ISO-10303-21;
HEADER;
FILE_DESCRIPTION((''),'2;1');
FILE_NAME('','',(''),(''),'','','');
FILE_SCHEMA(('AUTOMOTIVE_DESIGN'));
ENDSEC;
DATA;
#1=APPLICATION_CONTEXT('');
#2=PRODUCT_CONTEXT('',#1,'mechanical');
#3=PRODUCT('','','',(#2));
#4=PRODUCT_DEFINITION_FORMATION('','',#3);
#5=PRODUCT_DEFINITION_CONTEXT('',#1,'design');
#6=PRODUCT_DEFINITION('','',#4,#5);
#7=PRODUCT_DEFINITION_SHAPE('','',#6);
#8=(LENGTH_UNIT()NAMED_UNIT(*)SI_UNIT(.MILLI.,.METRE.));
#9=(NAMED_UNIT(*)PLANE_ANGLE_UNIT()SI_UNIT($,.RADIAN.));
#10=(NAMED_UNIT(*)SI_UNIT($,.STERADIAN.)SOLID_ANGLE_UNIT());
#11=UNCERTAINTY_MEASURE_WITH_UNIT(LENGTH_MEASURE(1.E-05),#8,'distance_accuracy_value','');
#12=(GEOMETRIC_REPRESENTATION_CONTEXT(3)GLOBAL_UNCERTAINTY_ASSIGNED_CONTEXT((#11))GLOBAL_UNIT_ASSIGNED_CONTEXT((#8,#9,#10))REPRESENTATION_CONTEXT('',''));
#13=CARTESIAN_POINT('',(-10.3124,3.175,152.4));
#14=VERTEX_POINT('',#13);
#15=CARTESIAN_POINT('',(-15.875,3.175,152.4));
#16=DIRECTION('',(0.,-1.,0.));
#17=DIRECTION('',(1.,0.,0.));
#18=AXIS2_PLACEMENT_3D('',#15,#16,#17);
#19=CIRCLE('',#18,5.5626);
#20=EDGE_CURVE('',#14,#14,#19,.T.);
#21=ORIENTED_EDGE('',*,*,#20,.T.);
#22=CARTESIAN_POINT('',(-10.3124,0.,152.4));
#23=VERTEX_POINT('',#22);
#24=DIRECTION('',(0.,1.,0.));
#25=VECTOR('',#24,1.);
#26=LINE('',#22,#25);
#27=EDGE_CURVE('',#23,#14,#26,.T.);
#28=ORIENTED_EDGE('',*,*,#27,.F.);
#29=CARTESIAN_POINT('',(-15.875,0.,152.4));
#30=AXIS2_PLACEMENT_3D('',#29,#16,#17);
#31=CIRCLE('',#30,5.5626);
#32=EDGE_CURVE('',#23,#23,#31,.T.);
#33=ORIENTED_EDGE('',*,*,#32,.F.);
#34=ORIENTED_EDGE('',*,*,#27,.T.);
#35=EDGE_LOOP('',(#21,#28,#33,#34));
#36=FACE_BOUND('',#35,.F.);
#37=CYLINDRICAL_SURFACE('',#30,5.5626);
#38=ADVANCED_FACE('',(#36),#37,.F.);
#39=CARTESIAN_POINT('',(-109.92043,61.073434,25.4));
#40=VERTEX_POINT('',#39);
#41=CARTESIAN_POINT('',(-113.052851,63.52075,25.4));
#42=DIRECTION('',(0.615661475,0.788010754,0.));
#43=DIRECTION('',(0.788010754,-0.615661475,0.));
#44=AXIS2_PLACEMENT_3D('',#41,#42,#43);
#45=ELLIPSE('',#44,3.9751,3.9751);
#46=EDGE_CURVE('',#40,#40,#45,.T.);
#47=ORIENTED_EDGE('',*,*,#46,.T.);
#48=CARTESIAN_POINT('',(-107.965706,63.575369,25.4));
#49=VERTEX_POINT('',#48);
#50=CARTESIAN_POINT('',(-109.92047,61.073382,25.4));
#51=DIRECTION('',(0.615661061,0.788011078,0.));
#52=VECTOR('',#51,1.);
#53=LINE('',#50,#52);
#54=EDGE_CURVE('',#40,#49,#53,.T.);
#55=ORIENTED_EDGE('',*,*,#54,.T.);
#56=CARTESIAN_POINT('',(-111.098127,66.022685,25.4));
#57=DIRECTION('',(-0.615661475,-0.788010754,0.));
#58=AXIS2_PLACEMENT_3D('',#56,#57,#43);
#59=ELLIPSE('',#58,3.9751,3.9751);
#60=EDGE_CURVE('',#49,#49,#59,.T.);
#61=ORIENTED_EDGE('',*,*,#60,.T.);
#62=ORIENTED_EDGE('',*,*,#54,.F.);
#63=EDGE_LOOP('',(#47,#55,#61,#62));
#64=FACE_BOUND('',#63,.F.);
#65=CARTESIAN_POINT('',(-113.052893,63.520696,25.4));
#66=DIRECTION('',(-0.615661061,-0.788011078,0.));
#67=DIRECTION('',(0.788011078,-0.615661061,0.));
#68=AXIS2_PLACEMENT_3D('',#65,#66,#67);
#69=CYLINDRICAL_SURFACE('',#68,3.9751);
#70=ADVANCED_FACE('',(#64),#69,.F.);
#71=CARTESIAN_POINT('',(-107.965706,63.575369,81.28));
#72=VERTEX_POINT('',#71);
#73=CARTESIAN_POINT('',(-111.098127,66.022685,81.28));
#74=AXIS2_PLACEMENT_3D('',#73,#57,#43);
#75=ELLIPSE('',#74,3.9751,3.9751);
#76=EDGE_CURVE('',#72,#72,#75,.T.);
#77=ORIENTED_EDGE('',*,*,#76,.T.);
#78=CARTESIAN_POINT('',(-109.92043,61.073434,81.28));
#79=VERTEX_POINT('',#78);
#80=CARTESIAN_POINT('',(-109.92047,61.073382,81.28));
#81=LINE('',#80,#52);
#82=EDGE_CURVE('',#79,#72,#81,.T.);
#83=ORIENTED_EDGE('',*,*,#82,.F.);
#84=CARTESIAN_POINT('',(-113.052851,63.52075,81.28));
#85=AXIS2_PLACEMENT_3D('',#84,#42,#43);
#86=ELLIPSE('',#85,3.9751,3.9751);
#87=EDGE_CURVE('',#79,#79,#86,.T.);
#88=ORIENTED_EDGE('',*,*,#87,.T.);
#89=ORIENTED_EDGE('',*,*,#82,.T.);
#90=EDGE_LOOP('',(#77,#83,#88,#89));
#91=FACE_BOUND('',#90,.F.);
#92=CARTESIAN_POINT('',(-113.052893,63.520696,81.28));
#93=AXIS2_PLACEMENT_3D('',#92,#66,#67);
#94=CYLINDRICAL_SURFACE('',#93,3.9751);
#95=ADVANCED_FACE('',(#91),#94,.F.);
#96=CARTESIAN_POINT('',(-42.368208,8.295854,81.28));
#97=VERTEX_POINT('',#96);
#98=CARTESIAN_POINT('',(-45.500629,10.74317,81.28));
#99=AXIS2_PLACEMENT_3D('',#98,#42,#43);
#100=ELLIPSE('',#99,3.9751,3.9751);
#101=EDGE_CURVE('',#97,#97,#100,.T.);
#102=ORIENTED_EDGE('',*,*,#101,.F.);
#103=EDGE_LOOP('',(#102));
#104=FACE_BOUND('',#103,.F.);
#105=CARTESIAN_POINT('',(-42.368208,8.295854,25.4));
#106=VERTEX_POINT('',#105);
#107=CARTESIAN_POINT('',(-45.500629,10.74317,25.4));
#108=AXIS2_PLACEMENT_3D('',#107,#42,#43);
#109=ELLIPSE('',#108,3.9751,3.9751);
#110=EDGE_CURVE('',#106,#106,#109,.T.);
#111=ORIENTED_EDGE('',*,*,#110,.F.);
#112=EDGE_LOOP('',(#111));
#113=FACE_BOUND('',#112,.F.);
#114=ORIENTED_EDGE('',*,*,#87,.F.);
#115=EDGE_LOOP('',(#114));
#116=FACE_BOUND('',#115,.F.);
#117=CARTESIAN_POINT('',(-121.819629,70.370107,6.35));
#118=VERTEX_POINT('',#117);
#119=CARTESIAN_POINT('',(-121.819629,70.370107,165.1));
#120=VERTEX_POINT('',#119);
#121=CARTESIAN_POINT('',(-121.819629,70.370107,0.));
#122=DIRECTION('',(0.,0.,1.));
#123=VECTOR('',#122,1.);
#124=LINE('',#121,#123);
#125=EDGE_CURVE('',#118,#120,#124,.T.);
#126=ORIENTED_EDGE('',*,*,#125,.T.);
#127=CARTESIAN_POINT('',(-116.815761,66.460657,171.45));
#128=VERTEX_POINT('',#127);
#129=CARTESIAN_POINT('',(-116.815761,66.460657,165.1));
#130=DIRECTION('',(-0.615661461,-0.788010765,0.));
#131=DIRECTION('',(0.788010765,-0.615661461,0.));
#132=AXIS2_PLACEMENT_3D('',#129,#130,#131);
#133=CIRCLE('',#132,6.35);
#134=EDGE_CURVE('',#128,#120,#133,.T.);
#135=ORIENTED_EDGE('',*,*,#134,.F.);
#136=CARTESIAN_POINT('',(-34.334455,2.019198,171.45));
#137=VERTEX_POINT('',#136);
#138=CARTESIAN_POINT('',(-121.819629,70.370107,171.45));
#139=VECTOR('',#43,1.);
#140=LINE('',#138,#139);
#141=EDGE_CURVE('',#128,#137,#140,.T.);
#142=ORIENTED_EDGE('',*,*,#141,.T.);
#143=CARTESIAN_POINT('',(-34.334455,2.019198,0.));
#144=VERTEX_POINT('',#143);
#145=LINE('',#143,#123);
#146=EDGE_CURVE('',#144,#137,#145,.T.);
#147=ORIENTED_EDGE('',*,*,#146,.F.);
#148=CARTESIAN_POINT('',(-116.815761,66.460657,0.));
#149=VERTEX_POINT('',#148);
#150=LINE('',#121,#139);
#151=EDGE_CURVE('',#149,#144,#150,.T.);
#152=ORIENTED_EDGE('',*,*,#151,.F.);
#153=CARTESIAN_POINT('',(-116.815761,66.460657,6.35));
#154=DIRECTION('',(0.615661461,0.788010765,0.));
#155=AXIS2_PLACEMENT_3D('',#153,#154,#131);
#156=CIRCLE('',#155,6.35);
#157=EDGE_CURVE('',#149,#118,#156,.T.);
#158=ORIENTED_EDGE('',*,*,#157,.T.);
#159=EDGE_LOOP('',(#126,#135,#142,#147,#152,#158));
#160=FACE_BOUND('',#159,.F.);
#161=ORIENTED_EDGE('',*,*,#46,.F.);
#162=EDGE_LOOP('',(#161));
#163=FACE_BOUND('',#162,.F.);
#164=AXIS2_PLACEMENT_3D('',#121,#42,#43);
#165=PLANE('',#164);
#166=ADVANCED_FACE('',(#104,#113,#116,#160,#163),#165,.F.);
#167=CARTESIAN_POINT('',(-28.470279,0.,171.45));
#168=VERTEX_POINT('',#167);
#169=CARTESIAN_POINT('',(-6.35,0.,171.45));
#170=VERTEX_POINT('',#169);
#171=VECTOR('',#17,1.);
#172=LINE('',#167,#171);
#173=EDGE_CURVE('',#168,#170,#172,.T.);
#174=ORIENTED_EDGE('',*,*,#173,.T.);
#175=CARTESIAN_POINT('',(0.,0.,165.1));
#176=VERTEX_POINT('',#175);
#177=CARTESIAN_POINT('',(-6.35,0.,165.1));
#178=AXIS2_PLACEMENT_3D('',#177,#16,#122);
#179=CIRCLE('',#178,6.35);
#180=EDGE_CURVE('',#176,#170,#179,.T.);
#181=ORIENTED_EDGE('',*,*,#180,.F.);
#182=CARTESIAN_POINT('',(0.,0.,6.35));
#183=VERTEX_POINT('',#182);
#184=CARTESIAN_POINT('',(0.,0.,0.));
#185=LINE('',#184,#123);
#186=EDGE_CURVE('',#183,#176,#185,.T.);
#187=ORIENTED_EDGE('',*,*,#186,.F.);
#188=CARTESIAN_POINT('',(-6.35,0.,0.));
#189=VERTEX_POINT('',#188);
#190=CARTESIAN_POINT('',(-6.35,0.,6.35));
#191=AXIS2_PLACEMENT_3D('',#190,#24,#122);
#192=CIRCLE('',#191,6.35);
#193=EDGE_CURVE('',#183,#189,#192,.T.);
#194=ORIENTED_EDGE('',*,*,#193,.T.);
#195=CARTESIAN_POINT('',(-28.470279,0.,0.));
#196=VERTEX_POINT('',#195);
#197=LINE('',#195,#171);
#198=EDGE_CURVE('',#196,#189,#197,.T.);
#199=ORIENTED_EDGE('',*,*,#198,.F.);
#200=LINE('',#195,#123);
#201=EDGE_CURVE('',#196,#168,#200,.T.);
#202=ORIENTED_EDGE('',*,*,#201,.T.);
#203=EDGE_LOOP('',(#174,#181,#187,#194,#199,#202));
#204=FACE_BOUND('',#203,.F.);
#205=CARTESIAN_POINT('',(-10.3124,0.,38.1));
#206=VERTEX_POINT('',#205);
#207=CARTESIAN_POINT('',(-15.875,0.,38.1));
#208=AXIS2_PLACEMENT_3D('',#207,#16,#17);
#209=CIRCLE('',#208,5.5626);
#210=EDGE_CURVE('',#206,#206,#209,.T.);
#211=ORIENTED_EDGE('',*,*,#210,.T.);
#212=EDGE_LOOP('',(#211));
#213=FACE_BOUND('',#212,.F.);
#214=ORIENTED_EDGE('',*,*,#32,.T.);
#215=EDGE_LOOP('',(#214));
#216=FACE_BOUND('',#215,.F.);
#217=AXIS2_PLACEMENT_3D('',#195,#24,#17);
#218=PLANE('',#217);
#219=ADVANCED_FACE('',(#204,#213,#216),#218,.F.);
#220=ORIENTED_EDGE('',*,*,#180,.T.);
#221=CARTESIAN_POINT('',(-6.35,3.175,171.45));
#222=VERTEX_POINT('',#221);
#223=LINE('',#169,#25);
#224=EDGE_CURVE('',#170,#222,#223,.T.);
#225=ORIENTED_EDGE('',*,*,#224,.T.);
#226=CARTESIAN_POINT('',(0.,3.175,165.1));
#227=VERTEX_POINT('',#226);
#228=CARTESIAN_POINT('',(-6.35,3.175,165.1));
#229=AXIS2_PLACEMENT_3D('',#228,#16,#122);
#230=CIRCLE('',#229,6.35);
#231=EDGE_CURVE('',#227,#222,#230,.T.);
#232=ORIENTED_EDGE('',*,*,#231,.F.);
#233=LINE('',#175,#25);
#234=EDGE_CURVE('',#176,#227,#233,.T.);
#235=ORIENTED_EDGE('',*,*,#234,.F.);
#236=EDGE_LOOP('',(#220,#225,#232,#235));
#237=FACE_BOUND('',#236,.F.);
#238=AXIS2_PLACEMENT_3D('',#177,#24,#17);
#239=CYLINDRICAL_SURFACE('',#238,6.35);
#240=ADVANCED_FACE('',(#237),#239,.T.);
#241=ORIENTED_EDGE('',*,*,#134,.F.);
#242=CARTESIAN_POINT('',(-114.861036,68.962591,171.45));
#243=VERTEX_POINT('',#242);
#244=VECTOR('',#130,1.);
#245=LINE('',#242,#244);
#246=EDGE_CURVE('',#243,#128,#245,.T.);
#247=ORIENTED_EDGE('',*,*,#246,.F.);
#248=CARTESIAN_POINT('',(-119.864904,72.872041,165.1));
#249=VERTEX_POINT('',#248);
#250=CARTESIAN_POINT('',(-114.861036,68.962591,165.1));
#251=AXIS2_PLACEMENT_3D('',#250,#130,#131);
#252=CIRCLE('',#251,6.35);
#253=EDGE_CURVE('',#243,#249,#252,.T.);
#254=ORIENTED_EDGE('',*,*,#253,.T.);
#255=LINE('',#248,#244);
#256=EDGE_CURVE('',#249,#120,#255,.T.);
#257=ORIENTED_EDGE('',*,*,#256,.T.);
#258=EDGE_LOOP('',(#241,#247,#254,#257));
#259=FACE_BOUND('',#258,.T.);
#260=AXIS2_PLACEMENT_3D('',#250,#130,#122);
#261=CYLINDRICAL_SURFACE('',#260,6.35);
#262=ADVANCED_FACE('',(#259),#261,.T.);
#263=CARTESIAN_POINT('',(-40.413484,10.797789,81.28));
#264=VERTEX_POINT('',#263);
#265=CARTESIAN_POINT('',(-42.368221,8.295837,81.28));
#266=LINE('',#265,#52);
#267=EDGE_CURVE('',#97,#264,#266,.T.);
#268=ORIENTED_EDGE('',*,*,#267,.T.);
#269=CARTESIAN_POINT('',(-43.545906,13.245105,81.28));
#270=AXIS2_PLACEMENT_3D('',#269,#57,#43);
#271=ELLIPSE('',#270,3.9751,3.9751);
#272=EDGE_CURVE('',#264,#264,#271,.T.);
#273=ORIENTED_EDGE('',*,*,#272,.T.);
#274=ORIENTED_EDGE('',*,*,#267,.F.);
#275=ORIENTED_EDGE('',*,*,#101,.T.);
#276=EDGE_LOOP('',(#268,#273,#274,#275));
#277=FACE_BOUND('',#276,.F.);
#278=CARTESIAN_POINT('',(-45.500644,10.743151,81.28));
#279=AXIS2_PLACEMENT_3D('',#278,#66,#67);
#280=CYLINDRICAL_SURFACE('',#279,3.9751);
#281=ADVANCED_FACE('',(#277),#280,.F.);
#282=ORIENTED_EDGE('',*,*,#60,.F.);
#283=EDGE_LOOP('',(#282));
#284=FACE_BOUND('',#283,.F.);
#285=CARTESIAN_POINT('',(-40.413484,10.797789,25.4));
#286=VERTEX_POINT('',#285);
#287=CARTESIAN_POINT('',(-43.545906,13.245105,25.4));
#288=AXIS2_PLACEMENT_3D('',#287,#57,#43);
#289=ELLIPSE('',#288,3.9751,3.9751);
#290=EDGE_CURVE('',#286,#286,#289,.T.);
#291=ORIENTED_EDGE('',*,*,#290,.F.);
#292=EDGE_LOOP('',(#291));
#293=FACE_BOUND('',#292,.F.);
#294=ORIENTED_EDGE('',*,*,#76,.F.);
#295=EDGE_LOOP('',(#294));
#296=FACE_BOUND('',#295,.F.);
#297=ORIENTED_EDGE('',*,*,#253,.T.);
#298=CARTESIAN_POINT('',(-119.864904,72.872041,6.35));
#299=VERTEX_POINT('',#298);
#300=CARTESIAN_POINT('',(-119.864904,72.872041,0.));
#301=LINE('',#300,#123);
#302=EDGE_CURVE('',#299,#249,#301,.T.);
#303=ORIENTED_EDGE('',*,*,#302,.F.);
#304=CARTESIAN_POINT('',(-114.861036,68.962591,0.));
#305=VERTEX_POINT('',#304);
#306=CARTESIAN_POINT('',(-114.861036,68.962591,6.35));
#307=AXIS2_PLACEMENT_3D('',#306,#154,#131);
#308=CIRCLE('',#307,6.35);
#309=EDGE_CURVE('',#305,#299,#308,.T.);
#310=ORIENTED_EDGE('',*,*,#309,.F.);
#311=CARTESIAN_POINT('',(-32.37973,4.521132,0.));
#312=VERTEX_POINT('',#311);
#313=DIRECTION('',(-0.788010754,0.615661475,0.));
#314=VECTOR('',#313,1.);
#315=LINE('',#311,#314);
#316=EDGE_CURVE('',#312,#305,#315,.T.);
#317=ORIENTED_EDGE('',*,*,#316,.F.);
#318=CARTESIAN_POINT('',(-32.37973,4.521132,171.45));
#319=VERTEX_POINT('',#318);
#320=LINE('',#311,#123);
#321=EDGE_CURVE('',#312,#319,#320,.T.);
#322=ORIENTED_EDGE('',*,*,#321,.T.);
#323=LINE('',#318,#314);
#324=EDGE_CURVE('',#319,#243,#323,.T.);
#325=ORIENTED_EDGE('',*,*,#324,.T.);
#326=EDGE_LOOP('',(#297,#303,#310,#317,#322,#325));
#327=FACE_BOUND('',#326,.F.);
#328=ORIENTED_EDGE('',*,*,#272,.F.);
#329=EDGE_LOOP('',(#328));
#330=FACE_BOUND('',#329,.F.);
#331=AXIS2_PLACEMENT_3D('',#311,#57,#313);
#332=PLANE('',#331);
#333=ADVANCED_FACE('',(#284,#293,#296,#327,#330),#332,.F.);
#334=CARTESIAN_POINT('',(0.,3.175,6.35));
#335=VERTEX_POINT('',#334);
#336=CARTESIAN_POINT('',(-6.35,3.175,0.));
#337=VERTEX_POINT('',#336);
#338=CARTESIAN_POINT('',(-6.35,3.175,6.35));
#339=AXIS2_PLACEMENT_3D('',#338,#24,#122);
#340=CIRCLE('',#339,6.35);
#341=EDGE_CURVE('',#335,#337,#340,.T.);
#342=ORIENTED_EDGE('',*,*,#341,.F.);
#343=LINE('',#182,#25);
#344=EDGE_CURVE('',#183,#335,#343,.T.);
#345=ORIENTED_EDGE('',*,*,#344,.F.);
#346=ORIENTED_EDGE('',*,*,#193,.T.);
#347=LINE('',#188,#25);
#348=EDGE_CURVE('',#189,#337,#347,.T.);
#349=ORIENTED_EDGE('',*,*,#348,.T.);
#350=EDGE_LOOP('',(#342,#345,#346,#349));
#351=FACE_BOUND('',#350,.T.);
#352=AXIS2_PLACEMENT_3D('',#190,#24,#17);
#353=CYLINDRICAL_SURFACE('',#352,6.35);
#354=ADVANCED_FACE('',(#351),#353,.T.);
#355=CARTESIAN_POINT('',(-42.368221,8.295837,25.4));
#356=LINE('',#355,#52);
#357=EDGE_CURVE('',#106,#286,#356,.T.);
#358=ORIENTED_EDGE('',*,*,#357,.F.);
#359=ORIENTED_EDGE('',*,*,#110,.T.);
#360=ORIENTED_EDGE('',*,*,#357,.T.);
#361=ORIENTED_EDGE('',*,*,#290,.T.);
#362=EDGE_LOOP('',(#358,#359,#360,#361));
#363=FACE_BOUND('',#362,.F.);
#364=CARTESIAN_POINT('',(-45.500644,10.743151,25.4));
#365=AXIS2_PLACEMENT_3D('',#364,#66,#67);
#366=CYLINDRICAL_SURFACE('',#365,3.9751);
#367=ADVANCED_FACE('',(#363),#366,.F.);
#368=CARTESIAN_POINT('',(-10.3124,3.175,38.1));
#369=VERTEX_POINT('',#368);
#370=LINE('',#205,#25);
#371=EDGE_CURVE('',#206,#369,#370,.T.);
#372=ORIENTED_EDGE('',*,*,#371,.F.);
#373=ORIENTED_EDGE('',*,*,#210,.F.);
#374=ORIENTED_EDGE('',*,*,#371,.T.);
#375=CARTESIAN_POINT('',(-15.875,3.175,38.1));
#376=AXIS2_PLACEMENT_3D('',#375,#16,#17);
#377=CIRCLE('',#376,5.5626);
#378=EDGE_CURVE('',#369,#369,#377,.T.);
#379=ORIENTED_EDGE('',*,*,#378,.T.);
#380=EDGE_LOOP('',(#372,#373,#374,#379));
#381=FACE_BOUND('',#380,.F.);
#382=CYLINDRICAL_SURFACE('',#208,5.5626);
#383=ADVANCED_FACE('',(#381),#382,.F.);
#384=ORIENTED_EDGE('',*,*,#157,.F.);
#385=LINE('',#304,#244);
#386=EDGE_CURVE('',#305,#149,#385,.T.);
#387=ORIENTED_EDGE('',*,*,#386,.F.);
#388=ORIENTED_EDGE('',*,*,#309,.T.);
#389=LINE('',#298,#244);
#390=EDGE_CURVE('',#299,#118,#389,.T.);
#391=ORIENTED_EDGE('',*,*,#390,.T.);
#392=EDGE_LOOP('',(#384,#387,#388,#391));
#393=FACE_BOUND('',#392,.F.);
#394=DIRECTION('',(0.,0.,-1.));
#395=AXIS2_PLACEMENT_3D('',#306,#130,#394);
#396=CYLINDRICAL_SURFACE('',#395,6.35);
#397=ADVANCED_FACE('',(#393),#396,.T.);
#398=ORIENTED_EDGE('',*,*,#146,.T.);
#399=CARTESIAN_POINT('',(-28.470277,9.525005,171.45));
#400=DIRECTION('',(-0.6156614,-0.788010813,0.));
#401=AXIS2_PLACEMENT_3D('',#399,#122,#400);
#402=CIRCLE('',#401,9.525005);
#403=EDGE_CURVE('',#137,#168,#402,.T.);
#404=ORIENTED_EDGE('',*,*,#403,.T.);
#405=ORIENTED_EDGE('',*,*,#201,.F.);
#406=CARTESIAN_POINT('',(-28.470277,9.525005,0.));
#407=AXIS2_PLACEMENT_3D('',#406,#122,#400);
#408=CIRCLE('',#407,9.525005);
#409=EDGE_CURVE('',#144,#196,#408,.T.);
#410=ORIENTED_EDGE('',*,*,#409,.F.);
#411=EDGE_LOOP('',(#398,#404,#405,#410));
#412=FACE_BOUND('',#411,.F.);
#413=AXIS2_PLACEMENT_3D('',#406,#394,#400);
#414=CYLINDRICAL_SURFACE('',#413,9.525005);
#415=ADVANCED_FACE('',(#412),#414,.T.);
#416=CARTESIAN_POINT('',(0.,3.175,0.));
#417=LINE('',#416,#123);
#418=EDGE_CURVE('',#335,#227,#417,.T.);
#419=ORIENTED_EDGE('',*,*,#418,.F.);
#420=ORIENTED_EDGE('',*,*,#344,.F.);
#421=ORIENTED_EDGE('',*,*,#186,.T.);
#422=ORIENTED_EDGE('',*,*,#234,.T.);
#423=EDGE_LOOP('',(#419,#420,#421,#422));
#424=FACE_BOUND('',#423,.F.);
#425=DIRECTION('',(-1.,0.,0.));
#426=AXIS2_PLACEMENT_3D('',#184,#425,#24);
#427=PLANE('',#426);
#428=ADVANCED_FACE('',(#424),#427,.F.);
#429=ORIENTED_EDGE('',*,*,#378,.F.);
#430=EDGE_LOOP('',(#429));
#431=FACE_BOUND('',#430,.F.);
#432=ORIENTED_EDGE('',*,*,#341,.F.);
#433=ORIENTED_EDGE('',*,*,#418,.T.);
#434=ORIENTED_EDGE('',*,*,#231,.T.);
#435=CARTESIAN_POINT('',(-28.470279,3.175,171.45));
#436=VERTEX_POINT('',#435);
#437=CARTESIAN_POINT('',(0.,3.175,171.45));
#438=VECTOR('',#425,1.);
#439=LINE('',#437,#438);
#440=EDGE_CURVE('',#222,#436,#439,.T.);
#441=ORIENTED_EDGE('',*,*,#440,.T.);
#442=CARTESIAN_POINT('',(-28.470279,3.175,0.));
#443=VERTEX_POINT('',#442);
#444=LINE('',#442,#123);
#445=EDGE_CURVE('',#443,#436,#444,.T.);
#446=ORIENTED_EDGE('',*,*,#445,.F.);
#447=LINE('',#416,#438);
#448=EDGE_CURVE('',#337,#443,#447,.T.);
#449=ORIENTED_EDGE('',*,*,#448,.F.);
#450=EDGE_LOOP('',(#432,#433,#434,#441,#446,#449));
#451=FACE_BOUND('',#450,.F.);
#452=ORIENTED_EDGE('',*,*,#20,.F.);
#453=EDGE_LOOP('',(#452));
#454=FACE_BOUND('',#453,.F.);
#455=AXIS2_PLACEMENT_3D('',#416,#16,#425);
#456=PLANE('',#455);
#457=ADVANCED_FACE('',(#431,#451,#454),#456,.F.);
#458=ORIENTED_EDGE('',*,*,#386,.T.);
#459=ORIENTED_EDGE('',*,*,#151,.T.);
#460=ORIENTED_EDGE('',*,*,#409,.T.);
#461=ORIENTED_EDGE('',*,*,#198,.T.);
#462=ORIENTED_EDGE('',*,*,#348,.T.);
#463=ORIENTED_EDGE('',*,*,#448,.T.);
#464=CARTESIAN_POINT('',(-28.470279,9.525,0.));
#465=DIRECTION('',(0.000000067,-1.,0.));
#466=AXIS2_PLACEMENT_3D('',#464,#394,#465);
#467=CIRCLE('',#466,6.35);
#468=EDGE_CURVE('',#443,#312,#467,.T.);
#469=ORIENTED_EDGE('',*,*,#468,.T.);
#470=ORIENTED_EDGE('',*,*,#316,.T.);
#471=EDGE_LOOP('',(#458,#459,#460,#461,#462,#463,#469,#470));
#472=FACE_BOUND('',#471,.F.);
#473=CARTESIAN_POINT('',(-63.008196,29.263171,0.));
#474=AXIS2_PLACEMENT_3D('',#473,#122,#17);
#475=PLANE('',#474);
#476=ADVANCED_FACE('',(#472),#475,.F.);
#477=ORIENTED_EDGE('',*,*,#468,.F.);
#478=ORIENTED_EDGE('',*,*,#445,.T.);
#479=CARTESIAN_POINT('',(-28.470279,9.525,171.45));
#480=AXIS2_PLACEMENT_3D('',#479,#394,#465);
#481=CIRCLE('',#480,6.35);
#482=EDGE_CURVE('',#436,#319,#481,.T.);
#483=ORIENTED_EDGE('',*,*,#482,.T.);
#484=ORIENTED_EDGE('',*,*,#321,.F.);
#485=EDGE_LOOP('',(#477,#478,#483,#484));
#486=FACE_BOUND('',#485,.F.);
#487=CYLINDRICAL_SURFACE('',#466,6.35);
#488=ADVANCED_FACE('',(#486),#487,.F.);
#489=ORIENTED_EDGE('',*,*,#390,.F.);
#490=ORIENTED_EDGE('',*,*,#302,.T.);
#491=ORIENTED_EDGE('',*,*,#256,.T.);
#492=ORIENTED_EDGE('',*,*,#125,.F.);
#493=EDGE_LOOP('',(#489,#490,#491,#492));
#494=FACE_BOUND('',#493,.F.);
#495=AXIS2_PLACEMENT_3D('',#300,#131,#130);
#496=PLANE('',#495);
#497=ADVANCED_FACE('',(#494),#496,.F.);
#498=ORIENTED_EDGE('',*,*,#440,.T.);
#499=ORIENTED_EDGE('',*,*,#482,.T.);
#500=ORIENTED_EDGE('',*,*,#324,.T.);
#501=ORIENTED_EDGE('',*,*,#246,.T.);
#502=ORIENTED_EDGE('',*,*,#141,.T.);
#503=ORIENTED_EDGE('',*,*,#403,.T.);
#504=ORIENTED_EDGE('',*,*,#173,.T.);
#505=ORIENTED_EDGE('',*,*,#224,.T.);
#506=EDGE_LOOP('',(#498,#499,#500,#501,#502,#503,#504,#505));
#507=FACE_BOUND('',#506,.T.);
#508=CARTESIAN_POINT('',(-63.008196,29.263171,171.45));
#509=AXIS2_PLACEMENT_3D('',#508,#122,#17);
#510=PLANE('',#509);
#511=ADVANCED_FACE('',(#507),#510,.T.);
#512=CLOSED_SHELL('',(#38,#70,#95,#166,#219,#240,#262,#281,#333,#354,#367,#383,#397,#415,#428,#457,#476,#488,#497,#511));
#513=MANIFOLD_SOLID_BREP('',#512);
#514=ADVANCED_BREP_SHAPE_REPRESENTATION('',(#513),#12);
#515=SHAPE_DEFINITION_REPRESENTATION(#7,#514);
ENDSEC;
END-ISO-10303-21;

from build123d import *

# Parameters (mm, degrees)
F1_DEPTH = 171.45
F2_R     = 5.5626
F3_DEPTH = 72.873041
F4_R     = 3.9751
F5_DEPTH = 76.972204
F6_R     = 6.35


with BuildPart() as f1:
    # F0 (on Top) → F1 (new body)
    with BuildSketch(Plane.XY):
        with BuildLine():
            Line((0, 0), (0, 3.175))
            Line((0, 3.175), (-28.470279, 3.175))
            ThreePointArc((-28.470279, 3.175), (-30.537637, 3.520957), (-32.37973, 4.521132))
            Line((-32.37973, 4.521132), (-119.864904, 72.872041))
            Line((-119.864904, 72.872041), (-121.819629, 70.370107))
            Line((-121.819629, 70.370107), (-34.334455, 2.019198))
            ThreePointArc((-34.334455, 2.019198), (-31.571316, 0.518936), (-28.470279, 0))
            Line((-28.470279, 0), (0, 0))
        make_face()
    extrude(amount=F1_DEPTH)

    # F2 (on face) → F3 (cut, through all)
    with BuildSketch(Plane.XZ):
        with Locations((-15.875, 152.4)):
            Circle(F2_R)
        with Locations((-15.875, 38.1)):
            Circle(F2_R)
    extrude(amount=-F3_DEPTH, mode=Mode.SUBTRACT)

    # F4 (on face) → F5 (cut, through all)
    with BuildSketch(Plane(origin=(-12.03449, -15.403445, 0), x_dir=(0.788011, -0.615661, 0), z_dir=(-0.615661, -0.788011, 0))):
        with Locations((-128.194141, 81.28)):
            Circle(F4_R)
        with Locations((-42.469141, 81.28)):
            Circle(F4_R)
        with Locations((-42.469141, 25.4)):
            Circle(F4_R)
        with Locations((-128.194141, 25.4)):
            Circle(F4_R)
    extrude(amount=-F5_DEPTH, mode=Mode.SUBTRACT)

    # F6
    f6_edges = [f1.edges().sort_by_distance(p)[0] for p in [
        (-120.842267, 71.621074, 171.45),
        (-120.842267, 71.621074, 0),
        (0, 1.5875, 171.45),
        (0, 1.5875, 0),
    ]]
    fillet(f6_edges, radius=F6_R)


solid = f1.part
